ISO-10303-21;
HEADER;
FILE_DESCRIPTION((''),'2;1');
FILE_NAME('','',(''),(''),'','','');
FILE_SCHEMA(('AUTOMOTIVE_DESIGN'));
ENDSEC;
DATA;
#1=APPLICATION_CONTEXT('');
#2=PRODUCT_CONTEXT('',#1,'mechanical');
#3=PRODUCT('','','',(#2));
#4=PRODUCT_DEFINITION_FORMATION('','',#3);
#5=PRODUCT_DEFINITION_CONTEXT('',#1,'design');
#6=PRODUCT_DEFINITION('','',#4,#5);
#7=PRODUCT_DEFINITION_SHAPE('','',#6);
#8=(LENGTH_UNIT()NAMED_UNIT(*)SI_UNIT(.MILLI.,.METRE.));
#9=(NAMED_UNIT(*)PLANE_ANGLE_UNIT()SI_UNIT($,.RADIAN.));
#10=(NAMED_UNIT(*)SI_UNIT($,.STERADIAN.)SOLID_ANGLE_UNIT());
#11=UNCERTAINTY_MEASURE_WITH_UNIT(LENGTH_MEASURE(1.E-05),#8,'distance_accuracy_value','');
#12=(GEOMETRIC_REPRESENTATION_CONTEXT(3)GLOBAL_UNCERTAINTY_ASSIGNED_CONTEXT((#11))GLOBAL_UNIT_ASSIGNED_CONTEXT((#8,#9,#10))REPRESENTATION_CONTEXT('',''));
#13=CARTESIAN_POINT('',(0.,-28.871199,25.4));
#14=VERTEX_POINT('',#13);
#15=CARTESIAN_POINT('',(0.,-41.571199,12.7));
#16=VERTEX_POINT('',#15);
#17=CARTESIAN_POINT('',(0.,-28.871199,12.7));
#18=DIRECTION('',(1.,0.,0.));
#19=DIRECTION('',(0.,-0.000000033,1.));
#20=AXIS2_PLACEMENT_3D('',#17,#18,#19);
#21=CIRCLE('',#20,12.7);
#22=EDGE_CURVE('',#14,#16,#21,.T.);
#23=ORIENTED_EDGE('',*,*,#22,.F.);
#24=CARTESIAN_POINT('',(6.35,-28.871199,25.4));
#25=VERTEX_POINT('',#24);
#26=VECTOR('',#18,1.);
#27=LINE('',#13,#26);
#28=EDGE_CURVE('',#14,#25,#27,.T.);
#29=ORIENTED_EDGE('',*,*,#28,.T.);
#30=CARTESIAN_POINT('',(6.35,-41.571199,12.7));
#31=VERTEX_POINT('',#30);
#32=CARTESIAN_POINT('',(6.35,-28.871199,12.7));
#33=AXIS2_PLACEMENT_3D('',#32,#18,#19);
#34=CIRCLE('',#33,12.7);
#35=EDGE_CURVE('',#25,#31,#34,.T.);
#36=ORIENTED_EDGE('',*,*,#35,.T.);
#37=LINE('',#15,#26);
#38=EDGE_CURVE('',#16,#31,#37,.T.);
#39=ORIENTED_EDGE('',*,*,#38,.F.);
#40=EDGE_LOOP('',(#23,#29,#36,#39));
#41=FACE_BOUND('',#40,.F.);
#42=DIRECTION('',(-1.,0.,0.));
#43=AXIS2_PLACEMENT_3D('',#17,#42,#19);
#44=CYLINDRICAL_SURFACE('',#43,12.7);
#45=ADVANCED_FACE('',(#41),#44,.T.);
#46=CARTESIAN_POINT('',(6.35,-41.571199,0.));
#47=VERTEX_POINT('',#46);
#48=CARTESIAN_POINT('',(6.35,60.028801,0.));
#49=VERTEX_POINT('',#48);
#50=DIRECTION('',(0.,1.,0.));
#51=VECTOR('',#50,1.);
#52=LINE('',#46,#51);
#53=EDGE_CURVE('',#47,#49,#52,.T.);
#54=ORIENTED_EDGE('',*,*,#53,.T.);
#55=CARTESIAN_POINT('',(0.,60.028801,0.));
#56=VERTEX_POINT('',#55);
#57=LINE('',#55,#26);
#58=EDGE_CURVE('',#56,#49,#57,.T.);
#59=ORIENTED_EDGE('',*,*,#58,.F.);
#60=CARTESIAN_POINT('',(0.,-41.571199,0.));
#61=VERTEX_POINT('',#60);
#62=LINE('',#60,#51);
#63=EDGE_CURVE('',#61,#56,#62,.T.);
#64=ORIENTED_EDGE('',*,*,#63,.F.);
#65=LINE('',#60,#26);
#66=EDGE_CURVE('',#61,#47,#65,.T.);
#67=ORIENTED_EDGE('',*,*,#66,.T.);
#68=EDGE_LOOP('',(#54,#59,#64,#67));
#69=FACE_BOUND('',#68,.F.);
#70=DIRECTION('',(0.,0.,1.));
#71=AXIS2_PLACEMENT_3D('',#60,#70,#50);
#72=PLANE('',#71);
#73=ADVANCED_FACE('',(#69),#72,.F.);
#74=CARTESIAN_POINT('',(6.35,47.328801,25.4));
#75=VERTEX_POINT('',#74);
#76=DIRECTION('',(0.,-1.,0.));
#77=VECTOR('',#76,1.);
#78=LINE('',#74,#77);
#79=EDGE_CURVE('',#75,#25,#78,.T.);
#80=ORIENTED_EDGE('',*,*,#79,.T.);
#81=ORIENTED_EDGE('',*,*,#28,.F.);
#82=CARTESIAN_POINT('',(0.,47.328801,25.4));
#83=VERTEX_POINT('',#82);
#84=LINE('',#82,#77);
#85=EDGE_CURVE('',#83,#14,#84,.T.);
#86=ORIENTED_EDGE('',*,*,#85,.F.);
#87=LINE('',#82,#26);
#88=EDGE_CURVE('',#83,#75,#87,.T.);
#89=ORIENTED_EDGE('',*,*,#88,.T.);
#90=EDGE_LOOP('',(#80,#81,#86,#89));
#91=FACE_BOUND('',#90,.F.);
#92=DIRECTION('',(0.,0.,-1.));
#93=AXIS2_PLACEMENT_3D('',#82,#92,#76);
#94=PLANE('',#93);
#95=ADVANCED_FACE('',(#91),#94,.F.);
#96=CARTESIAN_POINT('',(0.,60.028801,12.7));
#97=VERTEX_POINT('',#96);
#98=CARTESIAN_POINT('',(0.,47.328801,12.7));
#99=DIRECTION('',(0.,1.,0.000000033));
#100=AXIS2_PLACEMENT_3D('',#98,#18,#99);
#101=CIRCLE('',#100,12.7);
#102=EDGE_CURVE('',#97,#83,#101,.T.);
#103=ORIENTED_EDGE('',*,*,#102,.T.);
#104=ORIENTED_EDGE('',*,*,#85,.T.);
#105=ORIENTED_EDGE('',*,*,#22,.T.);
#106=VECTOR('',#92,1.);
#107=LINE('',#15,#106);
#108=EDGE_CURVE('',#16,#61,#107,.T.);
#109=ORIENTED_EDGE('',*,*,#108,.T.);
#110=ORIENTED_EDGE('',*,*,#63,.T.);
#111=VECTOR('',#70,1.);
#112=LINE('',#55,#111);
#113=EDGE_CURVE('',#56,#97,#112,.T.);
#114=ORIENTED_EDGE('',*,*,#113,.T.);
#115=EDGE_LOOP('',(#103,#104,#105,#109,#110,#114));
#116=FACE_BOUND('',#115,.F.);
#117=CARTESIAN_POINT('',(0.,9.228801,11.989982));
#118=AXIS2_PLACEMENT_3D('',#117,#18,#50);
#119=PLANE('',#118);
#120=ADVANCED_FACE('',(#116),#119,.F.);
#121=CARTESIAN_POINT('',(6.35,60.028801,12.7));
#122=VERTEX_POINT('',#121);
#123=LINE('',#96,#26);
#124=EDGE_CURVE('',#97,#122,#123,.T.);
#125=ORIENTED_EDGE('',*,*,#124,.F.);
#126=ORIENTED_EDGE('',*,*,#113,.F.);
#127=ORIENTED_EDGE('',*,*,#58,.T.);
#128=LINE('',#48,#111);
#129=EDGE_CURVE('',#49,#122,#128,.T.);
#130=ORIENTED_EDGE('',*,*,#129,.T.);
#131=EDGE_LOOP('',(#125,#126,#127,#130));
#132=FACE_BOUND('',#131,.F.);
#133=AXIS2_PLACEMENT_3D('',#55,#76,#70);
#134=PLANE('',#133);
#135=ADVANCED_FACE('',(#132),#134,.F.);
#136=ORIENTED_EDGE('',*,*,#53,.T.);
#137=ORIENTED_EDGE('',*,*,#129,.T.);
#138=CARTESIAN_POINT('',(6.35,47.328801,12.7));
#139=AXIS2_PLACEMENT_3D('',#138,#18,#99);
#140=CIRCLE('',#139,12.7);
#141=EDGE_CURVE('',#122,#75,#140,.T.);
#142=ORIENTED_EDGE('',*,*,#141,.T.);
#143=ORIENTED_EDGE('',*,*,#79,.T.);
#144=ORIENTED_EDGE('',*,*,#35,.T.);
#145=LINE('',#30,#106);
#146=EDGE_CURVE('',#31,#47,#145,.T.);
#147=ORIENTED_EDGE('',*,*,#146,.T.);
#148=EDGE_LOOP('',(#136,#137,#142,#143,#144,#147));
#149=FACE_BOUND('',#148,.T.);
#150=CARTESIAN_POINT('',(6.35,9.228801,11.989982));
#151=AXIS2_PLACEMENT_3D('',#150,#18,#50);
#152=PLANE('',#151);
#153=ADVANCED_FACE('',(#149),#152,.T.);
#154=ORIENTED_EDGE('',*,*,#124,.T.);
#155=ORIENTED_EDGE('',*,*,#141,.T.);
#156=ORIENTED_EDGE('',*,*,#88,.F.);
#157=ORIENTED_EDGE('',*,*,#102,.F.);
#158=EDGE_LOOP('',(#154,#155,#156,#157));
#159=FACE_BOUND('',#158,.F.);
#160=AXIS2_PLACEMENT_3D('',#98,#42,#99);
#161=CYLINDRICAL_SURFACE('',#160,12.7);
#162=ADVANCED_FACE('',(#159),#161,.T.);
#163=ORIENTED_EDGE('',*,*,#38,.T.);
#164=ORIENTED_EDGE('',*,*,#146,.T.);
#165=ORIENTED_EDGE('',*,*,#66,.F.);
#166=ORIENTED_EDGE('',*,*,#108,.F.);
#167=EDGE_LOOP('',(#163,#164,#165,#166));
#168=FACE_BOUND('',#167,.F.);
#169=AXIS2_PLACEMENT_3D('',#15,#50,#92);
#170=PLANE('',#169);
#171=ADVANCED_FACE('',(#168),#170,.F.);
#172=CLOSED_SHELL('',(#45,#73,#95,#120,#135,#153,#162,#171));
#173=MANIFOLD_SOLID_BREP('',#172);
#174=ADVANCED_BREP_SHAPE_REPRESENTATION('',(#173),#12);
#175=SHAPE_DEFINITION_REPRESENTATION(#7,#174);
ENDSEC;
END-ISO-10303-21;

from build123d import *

# Parameters (mm, degrees)
F1_DEPTH = 6.35


with BuildPart() as f1:
    # F0 (on Right) → F1 (new body)
    with BuildSketch(Plane.YZ):
        with BuildLine():
            Line((-41.571199, 12.7), (-41.571199, 0))
            Line((-41.571199, 0), (60.028801, 0))
            Line((60.028801, 0), (60.028801, 12.7))
            ThreePointArc((60.028801, 12.7), (56.309057, 21.680256), (47.328801, 25.4))
            Line((47.328801, 25.4), (-28.871199, 25.4))
            ThreePointArc((-28.871199, 25.4), (-37.851455, 21.680256), (-41.571199, 12.7))
        make_face()
    extrude(amount=F1_DEPTH)


solid = f1.part
